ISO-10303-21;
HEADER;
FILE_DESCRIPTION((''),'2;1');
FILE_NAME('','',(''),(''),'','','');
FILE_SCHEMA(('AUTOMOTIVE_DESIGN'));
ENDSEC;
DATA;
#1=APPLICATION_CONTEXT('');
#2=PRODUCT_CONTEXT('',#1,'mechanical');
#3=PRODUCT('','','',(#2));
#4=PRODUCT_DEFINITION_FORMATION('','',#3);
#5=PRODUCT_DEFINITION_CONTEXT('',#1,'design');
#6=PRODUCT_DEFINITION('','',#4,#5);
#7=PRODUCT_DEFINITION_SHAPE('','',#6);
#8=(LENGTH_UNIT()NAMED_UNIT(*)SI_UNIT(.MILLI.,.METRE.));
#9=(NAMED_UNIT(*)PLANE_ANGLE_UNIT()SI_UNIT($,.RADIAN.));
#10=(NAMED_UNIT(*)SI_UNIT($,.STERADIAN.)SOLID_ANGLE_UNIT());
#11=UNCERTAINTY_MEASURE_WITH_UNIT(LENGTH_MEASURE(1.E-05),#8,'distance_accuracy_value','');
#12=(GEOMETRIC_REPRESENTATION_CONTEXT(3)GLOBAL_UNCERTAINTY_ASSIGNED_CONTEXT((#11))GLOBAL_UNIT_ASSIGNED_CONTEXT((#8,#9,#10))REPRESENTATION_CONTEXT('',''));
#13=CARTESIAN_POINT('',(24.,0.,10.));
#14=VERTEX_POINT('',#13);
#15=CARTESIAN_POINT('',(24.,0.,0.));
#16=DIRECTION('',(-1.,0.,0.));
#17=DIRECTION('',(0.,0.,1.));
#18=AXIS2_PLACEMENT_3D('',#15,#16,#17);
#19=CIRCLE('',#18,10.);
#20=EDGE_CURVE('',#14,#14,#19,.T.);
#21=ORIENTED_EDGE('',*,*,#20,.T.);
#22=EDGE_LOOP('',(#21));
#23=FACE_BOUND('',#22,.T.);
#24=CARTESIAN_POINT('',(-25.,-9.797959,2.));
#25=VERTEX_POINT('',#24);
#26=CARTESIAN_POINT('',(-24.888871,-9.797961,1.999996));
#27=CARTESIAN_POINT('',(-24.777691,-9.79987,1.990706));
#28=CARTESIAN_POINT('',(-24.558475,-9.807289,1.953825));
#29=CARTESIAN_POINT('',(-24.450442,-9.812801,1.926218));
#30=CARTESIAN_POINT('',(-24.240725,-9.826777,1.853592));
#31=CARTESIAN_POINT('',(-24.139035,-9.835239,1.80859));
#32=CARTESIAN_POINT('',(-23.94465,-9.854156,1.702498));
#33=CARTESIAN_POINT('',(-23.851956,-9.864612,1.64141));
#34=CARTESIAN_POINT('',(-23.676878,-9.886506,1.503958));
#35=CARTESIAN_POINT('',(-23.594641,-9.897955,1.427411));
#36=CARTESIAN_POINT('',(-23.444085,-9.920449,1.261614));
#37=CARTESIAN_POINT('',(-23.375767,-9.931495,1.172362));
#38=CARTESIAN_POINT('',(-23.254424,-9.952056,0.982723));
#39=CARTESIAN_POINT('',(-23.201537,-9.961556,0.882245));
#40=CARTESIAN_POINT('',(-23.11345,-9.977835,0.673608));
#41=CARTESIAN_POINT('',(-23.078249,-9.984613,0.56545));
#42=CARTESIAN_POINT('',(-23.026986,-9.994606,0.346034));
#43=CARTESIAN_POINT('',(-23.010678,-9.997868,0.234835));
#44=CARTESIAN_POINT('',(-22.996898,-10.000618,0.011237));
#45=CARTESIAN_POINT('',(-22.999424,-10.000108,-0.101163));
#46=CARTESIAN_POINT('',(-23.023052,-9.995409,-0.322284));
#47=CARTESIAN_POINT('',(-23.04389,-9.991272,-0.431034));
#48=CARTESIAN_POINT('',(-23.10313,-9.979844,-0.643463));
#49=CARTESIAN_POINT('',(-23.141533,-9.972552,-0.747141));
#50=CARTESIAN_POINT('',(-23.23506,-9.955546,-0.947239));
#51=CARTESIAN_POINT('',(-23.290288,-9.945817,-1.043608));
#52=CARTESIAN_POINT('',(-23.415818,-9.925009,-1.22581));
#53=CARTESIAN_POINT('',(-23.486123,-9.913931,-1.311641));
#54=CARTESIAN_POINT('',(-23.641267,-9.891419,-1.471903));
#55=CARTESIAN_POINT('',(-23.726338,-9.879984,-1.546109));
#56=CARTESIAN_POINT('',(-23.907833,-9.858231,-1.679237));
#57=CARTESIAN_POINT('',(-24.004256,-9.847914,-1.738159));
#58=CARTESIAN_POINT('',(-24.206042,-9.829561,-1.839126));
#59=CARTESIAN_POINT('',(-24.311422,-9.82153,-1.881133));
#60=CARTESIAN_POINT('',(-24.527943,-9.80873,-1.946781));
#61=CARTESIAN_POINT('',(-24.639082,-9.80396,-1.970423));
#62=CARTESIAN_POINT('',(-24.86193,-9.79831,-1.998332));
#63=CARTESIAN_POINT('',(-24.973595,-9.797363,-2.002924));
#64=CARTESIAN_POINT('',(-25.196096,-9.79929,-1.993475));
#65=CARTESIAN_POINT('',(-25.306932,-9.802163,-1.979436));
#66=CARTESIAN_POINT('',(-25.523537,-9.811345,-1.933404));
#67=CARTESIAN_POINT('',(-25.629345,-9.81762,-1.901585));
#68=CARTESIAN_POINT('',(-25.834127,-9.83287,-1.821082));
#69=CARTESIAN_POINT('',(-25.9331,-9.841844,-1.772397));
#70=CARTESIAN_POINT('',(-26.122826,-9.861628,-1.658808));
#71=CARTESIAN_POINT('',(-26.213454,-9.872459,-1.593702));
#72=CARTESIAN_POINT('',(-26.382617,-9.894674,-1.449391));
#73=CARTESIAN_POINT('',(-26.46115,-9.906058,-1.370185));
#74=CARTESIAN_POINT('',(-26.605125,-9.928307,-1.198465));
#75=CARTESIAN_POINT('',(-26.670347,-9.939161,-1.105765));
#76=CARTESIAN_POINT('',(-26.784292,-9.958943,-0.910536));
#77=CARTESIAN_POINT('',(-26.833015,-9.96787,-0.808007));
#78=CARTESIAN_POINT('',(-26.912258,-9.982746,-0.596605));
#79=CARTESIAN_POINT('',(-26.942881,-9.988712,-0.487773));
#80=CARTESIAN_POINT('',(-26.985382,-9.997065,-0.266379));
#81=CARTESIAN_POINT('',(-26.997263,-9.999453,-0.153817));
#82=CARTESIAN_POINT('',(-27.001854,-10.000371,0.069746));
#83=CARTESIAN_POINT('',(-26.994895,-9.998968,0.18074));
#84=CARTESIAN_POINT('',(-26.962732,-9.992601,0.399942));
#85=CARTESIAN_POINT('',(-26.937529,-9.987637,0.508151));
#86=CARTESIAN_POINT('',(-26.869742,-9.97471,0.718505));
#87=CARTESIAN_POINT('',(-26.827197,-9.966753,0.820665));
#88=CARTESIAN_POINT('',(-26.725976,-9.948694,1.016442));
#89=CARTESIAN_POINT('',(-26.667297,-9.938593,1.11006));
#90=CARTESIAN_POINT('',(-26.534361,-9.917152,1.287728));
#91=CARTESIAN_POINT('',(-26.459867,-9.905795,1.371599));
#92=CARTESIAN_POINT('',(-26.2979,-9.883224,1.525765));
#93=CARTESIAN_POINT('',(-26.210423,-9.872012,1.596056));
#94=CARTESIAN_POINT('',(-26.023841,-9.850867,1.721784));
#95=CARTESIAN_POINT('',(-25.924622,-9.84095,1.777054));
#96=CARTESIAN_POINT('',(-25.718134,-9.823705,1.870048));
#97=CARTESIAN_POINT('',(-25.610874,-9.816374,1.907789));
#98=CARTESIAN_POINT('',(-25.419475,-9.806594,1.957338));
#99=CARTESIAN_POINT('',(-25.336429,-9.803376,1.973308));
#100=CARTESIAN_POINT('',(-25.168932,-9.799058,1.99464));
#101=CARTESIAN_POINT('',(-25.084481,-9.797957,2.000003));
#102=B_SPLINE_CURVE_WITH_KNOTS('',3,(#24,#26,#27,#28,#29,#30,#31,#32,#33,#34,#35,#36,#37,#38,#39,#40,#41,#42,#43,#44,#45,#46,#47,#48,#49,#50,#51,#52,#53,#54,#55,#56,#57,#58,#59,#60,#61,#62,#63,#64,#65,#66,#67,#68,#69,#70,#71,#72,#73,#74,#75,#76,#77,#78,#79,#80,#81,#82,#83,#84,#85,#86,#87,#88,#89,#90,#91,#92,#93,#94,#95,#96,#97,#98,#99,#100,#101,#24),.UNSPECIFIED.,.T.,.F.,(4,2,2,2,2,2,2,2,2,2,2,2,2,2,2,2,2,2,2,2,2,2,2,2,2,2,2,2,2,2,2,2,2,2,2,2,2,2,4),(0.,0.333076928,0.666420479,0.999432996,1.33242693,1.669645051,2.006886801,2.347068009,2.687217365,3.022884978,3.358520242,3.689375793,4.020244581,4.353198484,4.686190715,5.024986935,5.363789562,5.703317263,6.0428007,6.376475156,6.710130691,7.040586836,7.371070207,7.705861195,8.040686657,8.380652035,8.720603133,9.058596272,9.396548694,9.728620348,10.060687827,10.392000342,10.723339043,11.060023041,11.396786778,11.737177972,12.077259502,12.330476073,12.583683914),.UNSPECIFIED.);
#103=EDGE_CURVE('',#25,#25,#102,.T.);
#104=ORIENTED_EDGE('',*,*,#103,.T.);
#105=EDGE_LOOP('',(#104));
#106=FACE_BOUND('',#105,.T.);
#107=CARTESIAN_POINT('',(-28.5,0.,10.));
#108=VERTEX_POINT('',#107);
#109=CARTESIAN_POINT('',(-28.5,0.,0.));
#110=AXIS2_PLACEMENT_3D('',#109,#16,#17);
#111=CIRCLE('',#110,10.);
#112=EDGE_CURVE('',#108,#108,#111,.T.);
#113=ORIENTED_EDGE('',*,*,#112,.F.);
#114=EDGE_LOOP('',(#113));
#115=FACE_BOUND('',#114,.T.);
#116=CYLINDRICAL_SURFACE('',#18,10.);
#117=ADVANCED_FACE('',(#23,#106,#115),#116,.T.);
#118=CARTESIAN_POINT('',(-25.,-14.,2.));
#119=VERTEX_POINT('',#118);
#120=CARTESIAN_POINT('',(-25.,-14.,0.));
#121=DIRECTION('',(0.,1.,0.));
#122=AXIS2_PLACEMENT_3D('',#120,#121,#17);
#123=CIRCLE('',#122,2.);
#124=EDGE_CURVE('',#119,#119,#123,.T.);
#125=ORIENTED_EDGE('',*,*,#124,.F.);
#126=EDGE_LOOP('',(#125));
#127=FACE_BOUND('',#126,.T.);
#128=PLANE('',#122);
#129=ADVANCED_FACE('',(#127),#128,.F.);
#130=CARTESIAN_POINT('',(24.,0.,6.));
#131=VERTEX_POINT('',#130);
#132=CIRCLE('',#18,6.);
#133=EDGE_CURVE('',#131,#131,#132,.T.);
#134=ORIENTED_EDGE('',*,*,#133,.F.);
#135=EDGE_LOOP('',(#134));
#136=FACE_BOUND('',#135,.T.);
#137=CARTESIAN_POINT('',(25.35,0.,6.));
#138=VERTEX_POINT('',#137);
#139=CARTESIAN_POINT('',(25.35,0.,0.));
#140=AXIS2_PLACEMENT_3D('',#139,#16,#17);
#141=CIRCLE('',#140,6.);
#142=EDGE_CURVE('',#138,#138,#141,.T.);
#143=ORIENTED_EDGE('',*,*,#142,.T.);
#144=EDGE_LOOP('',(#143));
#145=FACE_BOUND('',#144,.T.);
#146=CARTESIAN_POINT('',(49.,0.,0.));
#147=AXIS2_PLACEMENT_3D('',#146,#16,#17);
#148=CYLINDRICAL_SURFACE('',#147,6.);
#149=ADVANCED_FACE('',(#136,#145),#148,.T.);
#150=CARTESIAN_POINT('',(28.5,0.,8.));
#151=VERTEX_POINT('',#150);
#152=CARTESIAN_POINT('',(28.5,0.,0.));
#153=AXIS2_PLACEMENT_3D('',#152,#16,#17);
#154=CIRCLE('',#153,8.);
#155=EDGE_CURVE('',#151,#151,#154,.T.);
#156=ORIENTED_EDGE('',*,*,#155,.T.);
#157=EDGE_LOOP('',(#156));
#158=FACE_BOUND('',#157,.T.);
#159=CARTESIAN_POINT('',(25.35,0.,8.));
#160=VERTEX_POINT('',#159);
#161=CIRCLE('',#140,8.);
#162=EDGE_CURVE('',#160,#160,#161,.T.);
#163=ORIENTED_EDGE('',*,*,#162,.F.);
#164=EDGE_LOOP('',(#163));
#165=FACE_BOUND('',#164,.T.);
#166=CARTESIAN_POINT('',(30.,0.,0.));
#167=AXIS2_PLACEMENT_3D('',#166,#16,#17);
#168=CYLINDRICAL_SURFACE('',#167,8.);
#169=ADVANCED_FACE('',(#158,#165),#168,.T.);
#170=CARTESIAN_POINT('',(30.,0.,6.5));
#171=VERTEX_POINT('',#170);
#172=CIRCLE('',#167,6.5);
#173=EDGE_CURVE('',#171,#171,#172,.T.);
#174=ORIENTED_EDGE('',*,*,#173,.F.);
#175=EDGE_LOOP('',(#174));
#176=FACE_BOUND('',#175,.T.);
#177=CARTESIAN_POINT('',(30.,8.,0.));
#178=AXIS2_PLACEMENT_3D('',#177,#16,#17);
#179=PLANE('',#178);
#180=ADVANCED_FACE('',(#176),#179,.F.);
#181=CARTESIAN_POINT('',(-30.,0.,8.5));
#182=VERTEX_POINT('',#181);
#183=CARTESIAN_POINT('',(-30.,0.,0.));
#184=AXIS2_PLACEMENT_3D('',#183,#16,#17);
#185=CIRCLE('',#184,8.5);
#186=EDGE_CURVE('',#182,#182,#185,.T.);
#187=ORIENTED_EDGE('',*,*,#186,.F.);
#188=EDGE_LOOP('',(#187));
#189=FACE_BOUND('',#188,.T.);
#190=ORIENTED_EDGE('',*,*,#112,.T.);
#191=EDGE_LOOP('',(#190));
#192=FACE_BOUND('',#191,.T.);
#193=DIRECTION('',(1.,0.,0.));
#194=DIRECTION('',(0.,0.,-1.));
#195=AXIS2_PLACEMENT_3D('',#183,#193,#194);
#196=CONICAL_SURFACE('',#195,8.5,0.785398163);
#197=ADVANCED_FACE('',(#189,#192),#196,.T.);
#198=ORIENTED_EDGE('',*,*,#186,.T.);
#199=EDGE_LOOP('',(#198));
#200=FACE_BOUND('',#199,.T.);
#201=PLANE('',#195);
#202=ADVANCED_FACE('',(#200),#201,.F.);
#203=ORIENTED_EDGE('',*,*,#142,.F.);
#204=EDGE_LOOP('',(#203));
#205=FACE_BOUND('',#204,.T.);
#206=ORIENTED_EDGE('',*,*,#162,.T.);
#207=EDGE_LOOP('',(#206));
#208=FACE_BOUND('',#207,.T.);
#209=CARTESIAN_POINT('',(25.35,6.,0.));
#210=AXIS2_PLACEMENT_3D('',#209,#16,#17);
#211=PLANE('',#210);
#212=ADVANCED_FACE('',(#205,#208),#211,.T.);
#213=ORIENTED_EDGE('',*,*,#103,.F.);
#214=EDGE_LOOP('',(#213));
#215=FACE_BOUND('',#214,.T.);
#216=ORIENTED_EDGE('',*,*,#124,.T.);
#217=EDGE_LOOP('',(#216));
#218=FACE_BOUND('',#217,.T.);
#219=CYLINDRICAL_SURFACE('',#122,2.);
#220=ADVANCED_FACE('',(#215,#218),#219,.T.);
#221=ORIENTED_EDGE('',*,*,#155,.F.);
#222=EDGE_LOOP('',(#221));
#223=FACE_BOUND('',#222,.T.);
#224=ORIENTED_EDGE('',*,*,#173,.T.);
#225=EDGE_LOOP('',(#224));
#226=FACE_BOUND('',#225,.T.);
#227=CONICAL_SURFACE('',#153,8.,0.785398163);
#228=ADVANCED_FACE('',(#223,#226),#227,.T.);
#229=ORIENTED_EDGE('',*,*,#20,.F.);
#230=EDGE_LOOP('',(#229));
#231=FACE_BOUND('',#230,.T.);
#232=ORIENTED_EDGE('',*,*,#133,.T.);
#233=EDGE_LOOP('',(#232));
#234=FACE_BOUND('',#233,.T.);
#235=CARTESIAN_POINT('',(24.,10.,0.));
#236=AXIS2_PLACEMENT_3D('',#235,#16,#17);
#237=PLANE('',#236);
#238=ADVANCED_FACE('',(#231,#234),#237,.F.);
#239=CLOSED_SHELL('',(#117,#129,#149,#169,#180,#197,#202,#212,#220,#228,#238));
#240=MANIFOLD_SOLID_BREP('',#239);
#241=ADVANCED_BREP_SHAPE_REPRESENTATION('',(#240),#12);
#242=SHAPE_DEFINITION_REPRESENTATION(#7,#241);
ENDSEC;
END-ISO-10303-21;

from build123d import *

# Parameters (mm, degrees)
SKETCH1_W           = 54
SKETCH1_H           = 10
SKETCH3_R           = 2
BOSS_EXTRUDE1_DEPTH = 14
SKETCH4_W           = 6
SKETCH4_H           = 8
SKETCH5_W           = 1.35
SKETCH5_H           = 2


with BuildPart() as part:
    # Sketch1 → Revolve1 (revolve)
    with BuildSketch(Plane.XY):
        with Locations((-3, 5)):
            Rectangle(SKETCH1_W, SKETCH1_H)
    revolve(axis=Axis((24, 0, 0), (-1, 0, 0)))

    # Sketch2 → Cut-Revolve1 (revolve, cut)
    with BuildSketch(Plane.XY):
        Polygon((-30, 8.5), (-28.5, 10), (-30, 10), align=None)
    revolve(axis=Axis((49, 0, 0), (-1, 0, 0)), mode=Mode.SUBTRACT)

    # Sketch3 → Boss-Extrude1 (add)
    with BuildSketch(Plane(origin=(0, 0, 0), x_dir=(1, 0, 0), z_dir=(0, 1, 0))):
        with Locations((-25, 0)):
            Circle(SKETCH3_R)
    extrude(amount=-BOSS_EXTRUDE1_DEPTH)

    # Sketch4 → Revolve2 (revolve)
    with BuildSketch(Plane.XY):
        with Locations((27, 4)):
            Rectangle(SKETCH4_W, SKETCH4_H)
    revolve(axis=Axis((30, 0, 0), (-1, 0, 0)))

    # Sketch5 → Cut-Revolve2 (revolve, cut)
    with BuildSketch(Plane.XY):
        with Locations((24.675, 7)):
            Rectangle(SKETCH5_W, SKETCH5_H)
    revolve(axis=Axis((49, 0, 0), (-1, 0, 0)), mode=Mode.SUBTRACT)

    # Sketch6 → Cut-Revolve3 (revolve, cut)
    with BuildSketch(Plane.XY):
        Polygon((28.5, 8), (30, 6.5), (30, 8), align=None)
    revolve(axis=Axis((49, 0, 0), (-1, 0, 0)), mode=Mode.SUBTRACT)


solid = part.part
